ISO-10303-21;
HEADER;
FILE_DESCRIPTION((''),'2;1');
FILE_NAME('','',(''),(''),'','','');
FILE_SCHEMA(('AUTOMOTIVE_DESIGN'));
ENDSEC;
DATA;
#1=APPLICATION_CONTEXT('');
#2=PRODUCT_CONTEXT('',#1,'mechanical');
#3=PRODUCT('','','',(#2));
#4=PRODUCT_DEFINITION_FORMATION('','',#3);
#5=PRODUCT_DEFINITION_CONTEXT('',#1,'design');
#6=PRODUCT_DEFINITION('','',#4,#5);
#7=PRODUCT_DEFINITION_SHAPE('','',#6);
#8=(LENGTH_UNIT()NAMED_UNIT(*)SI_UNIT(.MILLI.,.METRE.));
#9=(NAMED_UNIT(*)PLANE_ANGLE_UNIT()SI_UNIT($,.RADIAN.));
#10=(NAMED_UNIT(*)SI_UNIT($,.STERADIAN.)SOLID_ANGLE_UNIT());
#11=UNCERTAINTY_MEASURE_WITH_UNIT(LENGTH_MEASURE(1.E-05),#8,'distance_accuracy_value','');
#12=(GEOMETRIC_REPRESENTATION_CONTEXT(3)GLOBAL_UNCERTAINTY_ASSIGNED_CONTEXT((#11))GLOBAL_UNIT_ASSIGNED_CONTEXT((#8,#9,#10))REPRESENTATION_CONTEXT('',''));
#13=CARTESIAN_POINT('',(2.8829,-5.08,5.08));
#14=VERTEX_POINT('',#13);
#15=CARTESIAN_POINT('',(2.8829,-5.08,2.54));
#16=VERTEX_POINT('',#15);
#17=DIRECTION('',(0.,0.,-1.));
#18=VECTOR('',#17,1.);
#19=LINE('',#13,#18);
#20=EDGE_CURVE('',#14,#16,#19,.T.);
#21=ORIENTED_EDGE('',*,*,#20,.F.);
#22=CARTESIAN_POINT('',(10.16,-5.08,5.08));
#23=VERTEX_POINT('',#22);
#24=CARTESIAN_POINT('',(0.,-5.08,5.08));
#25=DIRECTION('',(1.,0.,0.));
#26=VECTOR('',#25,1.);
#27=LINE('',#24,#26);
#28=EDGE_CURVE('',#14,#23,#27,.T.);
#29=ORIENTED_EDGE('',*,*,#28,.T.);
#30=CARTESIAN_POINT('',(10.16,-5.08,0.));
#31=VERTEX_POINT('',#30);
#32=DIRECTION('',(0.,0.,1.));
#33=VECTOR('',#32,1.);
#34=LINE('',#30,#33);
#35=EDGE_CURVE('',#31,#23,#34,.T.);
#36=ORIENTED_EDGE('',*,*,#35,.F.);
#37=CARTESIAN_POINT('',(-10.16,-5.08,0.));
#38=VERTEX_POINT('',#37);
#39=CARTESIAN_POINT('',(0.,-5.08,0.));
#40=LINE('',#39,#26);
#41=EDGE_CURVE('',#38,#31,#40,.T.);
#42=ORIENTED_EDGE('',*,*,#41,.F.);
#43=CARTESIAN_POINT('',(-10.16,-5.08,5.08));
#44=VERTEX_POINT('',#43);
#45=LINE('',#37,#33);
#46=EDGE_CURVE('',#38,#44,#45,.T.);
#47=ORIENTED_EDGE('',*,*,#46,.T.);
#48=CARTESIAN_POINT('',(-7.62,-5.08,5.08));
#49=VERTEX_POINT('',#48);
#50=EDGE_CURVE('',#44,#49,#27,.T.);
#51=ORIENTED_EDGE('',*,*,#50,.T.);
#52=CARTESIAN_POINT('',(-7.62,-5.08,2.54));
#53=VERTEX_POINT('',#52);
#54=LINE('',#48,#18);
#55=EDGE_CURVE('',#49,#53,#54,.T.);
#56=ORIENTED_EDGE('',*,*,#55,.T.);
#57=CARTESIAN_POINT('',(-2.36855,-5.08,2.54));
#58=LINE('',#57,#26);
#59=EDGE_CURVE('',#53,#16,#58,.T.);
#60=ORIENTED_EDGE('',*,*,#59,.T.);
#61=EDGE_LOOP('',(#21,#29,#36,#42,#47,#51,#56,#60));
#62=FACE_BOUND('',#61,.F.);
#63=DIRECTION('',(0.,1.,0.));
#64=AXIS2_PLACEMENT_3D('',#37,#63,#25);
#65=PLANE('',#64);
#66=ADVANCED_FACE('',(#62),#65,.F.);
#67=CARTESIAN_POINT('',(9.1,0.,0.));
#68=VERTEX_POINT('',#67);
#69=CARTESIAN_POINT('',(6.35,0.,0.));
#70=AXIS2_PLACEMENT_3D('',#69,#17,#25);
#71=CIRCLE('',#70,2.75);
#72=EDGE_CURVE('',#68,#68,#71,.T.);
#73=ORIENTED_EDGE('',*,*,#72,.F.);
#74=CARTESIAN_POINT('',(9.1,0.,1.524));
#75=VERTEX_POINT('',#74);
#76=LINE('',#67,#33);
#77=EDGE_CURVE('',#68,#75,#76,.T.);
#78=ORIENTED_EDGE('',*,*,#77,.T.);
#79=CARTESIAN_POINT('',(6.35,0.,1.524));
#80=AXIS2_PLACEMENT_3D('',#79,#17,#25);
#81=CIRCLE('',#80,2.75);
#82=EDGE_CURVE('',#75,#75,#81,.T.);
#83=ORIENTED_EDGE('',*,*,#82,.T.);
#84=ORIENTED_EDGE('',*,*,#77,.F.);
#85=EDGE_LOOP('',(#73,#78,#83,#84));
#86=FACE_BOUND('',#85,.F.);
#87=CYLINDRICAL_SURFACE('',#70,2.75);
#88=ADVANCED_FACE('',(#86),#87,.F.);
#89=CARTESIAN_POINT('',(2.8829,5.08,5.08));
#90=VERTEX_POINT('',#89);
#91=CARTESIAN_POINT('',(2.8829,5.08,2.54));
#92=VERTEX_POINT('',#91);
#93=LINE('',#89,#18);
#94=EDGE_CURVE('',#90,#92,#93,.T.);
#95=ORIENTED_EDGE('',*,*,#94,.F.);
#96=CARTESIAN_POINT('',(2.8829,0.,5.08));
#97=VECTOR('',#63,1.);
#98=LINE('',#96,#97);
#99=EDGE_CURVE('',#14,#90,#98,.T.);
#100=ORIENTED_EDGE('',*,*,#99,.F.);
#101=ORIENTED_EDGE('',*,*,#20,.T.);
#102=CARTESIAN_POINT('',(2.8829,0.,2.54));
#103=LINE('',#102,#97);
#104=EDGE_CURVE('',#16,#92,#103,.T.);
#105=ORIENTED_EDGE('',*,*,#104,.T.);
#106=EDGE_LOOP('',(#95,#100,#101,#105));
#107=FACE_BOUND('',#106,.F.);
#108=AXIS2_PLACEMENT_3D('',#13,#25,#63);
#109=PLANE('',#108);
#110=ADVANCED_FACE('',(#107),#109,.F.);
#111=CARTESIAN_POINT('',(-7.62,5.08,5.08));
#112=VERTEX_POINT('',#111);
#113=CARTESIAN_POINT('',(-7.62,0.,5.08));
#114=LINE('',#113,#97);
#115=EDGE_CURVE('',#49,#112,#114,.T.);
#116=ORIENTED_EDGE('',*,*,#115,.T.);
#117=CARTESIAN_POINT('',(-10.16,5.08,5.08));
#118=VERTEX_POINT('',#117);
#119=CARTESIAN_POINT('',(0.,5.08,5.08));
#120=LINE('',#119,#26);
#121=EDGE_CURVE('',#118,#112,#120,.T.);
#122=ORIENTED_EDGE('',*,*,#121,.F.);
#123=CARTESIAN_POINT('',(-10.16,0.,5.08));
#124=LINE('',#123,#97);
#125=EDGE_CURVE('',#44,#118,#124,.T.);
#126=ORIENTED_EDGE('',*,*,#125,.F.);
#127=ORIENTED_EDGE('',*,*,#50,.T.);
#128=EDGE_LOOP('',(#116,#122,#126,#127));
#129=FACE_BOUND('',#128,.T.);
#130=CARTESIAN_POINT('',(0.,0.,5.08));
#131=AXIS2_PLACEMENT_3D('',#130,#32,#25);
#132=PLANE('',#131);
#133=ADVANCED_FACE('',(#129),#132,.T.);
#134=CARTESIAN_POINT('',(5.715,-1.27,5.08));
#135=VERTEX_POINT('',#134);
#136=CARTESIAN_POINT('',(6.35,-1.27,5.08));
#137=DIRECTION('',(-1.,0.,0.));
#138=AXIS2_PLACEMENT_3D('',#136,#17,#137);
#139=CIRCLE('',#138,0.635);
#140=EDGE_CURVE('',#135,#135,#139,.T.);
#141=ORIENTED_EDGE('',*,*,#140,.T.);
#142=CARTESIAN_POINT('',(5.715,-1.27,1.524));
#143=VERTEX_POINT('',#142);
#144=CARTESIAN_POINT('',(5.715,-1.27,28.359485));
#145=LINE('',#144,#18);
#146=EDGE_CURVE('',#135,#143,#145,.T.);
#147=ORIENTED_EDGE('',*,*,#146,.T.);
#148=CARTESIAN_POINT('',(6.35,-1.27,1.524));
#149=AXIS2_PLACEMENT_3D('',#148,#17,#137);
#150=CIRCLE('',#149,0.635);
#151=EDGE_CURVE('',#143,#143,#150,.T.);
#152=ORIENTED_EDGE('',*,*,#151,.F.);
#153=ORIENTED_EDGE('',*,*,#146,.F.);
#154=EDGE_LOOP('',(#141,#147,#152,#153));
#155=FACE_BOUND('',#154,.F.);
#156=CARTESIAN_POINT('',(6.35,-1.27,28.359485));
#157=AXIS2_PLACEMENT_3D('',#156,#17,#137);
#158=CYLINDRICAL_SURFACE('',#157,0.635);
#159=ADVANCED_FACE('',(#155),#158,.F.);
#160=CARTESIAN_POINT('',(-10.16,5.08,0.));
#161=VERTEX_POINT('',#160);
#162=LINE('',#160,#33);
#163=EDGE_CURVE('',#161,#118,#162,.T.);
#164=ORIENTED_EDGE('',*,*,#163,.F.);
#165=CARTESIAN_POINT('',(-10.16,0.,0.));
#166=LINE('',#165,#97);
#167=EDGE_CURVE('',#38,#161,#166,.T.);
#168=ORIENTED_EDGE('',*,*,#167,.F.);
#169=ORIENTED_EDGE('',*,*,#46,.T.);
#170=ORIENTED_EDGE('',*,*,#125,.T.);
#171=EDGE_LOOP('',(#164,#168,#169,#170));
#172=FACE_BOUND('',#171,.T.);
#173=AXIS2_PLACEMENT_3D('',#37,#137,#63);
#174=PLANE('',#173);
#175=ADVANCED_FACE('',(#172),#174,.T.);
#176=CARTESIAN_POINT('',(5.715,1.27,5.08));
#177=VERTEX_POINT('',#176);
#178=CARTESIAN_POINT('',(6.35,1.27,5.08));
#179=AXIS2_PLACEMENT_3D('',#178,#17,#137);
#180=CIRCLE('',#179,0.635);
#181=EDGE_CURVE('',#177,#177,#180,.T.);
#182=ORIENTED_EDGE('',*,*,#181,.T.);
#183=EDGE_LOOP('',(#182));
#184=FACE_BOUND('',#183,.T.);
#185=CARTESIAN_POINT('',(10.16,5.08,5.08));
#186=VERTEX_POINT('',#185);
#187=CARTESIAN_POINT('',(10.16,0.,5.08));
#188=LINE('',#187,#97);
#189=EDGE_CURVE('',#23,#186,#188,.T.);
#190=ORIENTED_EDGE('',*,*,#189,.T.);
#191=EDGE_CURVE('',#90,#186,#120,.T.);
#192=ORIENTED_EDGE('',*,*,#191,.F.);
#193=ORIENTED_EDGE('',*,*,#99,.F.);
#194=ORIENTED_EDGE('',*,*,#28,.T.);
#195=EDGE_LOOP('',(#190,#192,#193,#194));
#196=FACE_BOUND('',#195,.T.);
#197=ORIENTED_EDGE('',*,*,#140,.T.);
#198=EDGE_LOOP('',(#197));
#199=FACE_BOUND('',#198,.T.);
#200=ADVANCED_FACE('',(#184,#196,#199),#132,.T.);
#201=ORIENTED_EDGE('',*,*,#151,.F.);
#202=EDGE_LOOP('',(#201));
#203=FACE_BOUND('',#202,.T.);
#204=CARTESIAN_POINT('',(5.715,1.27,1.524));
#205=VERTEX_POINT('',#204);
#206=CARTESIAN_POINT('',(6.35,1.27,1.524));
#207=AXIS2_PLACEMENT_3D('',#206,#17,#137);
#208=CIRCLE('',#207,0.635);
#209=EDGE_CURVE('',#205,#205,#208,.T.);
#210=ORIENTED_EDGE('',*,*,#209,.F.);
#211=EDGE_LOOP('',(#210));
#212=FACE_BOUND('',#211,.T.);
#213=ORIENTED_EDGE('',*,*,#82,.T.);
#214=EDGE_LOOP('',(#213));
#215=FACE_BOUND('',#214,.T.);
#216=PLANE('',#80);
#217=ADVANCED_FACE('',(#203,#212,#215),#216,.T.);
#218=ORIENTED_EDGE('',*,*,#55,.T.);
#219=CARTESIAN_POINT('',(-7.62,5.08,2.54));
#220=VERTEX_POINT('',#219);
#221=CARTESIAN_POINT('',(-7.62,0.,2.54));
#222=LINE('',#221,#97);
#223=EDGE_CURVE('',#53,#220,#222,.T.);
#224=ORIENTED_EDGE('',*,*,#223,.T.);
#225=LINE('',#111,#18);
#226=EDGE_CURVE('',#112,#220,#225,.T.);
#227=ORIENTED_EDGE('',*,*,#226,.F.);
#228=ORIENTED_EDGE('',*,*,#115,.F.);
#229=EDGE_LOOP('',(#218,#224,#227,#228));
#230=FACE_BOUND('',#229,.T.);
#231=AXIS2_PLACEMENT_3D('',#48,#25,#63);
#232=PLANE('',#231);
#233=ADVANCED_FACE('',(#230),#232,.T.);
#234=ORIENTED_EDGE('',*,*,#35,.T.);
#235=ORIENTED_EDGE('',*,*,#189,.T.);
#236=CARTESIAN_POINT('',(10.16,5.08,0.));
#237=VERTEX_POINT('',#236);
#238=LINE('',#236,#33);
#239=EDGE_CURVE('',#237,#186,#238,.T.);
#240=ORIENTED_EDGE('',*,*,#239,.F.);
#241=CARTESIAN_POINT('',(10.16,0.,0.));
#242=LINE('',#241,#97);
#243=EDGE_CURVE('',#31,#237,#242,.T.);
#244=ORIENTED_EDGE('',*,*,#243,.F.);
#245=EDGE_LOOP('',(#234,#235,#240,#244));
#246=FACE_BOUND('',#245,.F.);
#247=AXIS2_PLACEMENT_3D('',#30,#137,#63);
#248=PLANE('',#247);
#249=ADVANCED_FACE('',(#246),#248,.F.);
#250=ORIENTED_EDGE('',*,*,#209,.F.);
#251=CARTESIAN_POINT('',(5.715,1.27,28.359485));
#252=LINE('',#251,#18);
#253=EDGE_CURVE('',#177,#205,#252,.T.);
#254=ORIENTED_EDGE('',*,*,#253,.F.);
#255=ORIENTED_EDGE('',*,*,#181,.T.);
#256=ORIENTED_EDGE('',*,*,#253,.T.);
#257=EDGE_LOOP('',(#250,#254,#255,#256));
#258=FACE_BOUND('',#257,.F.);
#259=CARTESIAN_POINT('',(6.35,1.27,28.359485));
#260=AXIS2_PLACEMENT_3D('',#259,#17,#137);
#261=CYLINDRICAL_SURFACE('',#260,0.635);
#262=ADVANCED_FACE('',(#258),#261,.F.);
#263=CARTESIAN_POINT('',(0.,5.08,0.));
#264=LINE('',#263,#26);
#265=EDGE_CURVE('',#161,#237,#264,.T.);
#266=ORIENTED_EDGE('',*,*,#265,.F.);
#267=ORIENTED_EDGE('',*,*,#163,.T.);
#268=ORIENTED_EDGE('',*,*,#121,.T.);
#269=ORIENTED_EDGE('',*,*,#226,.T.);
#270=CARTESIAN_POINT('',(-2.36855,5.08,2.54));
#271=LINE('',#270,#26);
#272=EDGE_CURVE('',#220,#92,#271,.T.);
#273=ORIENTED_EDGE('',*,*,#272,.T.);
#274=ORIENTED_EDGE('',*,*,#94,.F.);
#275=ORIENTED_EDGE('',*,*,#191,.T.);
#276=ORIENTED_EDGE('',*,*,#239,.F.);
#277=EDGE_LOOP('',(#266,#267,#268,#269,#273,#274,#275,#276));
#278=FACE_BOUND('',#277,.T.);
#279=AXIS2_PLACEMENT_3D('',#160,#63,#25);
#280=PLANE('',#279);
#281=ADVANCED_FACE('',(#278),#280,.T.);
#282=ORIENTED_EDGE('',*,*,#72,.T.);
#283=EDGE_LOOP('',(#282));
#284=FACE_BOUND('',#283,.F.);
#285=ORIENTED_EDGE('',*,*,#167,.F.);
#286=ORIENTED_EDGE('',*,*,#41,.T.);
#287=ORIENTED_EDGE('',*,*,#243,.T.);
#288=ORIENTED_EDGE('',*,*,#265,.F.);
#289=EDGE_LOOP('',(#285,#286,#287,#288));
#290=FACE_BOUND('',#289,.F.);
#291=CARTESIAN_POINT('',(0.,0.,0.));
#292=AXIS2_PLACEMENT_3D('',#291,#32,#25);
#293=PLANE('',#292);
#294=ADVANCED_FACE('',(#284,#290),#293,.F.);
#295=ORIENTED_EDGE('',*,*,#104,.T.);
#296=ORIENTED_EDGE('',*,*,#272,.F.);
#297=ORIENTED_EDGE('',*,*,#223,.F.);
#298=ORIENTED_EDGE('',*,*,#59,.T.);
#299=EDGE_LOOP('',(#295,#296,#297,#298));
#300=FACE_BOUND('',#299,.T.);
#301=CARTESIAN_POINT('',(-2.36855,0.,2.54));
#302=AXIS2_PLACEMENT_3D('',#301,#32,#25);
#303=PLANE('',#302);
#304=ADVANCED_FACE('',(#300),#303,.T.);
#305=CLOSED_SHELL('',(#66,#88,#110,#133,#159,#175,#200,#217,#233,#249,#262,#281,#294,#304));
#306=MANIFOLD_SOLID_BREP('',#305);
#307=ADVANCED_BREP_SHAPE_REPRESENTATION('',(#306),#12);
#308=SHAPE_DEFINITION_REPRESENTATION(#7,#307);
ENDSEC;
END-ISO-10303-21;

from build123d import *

# Parameters (mm, degrees)
F0_W     = 20.32
F0_H     = 10.16
F1_DEPTH = 5.08
F2_W     = 10.5029
F2_H     = 10.16
F3_DEPTH = 2.54
F5_D     = 1.27
F7_R     = 2.75
F7_R_2   = 0.635
F8_DEPTH = 1.524


with BuildPart() as f1:
    # F0 (on Top) → F1 (new body)
    with BuildSketch(Plane.XY):
        Rectangle(F0_W, F0_H)
    extrude(amount=F1_DEPTH)

    # F2 (on face) → F3 (cut)
    with BuildSketch(Plane.XY.offset(5.08)):
        with Locations((-2.36855, 0)):
            Rectangle(F2_W, F2_H)
    extrude(amount=-F3_DEPTH, mode=Mode.SUBTRACT)

    # F5 (through all)
    with Locations(Plane.XY.offset(5.08)):
        with Locations((6.35, 1.27), (6.35, -1.27)):
            Hole(F5_D / 2)

    # F7 (on face) → F8 (cut)
    with BuildSketch(Plane(origin=(0, 0, 0), x_dir=(1, 0, 0), z_dir=(0, 0, -1))):
        with Locations((6.35, 0)):
            Circle(F7_R)
        with Locations((6.35, -1.27)):
            Circle(F7_R_2, mode=Mode.SUBTRACT)
        with Locations((6.35, 1.27)):
            Circle(F7_R_2, mode=Mode.SUBTRACT)
    extrude(amount=-F8_DEPTH, mode=Mode.SUBTRACT)


solid = f1.part
